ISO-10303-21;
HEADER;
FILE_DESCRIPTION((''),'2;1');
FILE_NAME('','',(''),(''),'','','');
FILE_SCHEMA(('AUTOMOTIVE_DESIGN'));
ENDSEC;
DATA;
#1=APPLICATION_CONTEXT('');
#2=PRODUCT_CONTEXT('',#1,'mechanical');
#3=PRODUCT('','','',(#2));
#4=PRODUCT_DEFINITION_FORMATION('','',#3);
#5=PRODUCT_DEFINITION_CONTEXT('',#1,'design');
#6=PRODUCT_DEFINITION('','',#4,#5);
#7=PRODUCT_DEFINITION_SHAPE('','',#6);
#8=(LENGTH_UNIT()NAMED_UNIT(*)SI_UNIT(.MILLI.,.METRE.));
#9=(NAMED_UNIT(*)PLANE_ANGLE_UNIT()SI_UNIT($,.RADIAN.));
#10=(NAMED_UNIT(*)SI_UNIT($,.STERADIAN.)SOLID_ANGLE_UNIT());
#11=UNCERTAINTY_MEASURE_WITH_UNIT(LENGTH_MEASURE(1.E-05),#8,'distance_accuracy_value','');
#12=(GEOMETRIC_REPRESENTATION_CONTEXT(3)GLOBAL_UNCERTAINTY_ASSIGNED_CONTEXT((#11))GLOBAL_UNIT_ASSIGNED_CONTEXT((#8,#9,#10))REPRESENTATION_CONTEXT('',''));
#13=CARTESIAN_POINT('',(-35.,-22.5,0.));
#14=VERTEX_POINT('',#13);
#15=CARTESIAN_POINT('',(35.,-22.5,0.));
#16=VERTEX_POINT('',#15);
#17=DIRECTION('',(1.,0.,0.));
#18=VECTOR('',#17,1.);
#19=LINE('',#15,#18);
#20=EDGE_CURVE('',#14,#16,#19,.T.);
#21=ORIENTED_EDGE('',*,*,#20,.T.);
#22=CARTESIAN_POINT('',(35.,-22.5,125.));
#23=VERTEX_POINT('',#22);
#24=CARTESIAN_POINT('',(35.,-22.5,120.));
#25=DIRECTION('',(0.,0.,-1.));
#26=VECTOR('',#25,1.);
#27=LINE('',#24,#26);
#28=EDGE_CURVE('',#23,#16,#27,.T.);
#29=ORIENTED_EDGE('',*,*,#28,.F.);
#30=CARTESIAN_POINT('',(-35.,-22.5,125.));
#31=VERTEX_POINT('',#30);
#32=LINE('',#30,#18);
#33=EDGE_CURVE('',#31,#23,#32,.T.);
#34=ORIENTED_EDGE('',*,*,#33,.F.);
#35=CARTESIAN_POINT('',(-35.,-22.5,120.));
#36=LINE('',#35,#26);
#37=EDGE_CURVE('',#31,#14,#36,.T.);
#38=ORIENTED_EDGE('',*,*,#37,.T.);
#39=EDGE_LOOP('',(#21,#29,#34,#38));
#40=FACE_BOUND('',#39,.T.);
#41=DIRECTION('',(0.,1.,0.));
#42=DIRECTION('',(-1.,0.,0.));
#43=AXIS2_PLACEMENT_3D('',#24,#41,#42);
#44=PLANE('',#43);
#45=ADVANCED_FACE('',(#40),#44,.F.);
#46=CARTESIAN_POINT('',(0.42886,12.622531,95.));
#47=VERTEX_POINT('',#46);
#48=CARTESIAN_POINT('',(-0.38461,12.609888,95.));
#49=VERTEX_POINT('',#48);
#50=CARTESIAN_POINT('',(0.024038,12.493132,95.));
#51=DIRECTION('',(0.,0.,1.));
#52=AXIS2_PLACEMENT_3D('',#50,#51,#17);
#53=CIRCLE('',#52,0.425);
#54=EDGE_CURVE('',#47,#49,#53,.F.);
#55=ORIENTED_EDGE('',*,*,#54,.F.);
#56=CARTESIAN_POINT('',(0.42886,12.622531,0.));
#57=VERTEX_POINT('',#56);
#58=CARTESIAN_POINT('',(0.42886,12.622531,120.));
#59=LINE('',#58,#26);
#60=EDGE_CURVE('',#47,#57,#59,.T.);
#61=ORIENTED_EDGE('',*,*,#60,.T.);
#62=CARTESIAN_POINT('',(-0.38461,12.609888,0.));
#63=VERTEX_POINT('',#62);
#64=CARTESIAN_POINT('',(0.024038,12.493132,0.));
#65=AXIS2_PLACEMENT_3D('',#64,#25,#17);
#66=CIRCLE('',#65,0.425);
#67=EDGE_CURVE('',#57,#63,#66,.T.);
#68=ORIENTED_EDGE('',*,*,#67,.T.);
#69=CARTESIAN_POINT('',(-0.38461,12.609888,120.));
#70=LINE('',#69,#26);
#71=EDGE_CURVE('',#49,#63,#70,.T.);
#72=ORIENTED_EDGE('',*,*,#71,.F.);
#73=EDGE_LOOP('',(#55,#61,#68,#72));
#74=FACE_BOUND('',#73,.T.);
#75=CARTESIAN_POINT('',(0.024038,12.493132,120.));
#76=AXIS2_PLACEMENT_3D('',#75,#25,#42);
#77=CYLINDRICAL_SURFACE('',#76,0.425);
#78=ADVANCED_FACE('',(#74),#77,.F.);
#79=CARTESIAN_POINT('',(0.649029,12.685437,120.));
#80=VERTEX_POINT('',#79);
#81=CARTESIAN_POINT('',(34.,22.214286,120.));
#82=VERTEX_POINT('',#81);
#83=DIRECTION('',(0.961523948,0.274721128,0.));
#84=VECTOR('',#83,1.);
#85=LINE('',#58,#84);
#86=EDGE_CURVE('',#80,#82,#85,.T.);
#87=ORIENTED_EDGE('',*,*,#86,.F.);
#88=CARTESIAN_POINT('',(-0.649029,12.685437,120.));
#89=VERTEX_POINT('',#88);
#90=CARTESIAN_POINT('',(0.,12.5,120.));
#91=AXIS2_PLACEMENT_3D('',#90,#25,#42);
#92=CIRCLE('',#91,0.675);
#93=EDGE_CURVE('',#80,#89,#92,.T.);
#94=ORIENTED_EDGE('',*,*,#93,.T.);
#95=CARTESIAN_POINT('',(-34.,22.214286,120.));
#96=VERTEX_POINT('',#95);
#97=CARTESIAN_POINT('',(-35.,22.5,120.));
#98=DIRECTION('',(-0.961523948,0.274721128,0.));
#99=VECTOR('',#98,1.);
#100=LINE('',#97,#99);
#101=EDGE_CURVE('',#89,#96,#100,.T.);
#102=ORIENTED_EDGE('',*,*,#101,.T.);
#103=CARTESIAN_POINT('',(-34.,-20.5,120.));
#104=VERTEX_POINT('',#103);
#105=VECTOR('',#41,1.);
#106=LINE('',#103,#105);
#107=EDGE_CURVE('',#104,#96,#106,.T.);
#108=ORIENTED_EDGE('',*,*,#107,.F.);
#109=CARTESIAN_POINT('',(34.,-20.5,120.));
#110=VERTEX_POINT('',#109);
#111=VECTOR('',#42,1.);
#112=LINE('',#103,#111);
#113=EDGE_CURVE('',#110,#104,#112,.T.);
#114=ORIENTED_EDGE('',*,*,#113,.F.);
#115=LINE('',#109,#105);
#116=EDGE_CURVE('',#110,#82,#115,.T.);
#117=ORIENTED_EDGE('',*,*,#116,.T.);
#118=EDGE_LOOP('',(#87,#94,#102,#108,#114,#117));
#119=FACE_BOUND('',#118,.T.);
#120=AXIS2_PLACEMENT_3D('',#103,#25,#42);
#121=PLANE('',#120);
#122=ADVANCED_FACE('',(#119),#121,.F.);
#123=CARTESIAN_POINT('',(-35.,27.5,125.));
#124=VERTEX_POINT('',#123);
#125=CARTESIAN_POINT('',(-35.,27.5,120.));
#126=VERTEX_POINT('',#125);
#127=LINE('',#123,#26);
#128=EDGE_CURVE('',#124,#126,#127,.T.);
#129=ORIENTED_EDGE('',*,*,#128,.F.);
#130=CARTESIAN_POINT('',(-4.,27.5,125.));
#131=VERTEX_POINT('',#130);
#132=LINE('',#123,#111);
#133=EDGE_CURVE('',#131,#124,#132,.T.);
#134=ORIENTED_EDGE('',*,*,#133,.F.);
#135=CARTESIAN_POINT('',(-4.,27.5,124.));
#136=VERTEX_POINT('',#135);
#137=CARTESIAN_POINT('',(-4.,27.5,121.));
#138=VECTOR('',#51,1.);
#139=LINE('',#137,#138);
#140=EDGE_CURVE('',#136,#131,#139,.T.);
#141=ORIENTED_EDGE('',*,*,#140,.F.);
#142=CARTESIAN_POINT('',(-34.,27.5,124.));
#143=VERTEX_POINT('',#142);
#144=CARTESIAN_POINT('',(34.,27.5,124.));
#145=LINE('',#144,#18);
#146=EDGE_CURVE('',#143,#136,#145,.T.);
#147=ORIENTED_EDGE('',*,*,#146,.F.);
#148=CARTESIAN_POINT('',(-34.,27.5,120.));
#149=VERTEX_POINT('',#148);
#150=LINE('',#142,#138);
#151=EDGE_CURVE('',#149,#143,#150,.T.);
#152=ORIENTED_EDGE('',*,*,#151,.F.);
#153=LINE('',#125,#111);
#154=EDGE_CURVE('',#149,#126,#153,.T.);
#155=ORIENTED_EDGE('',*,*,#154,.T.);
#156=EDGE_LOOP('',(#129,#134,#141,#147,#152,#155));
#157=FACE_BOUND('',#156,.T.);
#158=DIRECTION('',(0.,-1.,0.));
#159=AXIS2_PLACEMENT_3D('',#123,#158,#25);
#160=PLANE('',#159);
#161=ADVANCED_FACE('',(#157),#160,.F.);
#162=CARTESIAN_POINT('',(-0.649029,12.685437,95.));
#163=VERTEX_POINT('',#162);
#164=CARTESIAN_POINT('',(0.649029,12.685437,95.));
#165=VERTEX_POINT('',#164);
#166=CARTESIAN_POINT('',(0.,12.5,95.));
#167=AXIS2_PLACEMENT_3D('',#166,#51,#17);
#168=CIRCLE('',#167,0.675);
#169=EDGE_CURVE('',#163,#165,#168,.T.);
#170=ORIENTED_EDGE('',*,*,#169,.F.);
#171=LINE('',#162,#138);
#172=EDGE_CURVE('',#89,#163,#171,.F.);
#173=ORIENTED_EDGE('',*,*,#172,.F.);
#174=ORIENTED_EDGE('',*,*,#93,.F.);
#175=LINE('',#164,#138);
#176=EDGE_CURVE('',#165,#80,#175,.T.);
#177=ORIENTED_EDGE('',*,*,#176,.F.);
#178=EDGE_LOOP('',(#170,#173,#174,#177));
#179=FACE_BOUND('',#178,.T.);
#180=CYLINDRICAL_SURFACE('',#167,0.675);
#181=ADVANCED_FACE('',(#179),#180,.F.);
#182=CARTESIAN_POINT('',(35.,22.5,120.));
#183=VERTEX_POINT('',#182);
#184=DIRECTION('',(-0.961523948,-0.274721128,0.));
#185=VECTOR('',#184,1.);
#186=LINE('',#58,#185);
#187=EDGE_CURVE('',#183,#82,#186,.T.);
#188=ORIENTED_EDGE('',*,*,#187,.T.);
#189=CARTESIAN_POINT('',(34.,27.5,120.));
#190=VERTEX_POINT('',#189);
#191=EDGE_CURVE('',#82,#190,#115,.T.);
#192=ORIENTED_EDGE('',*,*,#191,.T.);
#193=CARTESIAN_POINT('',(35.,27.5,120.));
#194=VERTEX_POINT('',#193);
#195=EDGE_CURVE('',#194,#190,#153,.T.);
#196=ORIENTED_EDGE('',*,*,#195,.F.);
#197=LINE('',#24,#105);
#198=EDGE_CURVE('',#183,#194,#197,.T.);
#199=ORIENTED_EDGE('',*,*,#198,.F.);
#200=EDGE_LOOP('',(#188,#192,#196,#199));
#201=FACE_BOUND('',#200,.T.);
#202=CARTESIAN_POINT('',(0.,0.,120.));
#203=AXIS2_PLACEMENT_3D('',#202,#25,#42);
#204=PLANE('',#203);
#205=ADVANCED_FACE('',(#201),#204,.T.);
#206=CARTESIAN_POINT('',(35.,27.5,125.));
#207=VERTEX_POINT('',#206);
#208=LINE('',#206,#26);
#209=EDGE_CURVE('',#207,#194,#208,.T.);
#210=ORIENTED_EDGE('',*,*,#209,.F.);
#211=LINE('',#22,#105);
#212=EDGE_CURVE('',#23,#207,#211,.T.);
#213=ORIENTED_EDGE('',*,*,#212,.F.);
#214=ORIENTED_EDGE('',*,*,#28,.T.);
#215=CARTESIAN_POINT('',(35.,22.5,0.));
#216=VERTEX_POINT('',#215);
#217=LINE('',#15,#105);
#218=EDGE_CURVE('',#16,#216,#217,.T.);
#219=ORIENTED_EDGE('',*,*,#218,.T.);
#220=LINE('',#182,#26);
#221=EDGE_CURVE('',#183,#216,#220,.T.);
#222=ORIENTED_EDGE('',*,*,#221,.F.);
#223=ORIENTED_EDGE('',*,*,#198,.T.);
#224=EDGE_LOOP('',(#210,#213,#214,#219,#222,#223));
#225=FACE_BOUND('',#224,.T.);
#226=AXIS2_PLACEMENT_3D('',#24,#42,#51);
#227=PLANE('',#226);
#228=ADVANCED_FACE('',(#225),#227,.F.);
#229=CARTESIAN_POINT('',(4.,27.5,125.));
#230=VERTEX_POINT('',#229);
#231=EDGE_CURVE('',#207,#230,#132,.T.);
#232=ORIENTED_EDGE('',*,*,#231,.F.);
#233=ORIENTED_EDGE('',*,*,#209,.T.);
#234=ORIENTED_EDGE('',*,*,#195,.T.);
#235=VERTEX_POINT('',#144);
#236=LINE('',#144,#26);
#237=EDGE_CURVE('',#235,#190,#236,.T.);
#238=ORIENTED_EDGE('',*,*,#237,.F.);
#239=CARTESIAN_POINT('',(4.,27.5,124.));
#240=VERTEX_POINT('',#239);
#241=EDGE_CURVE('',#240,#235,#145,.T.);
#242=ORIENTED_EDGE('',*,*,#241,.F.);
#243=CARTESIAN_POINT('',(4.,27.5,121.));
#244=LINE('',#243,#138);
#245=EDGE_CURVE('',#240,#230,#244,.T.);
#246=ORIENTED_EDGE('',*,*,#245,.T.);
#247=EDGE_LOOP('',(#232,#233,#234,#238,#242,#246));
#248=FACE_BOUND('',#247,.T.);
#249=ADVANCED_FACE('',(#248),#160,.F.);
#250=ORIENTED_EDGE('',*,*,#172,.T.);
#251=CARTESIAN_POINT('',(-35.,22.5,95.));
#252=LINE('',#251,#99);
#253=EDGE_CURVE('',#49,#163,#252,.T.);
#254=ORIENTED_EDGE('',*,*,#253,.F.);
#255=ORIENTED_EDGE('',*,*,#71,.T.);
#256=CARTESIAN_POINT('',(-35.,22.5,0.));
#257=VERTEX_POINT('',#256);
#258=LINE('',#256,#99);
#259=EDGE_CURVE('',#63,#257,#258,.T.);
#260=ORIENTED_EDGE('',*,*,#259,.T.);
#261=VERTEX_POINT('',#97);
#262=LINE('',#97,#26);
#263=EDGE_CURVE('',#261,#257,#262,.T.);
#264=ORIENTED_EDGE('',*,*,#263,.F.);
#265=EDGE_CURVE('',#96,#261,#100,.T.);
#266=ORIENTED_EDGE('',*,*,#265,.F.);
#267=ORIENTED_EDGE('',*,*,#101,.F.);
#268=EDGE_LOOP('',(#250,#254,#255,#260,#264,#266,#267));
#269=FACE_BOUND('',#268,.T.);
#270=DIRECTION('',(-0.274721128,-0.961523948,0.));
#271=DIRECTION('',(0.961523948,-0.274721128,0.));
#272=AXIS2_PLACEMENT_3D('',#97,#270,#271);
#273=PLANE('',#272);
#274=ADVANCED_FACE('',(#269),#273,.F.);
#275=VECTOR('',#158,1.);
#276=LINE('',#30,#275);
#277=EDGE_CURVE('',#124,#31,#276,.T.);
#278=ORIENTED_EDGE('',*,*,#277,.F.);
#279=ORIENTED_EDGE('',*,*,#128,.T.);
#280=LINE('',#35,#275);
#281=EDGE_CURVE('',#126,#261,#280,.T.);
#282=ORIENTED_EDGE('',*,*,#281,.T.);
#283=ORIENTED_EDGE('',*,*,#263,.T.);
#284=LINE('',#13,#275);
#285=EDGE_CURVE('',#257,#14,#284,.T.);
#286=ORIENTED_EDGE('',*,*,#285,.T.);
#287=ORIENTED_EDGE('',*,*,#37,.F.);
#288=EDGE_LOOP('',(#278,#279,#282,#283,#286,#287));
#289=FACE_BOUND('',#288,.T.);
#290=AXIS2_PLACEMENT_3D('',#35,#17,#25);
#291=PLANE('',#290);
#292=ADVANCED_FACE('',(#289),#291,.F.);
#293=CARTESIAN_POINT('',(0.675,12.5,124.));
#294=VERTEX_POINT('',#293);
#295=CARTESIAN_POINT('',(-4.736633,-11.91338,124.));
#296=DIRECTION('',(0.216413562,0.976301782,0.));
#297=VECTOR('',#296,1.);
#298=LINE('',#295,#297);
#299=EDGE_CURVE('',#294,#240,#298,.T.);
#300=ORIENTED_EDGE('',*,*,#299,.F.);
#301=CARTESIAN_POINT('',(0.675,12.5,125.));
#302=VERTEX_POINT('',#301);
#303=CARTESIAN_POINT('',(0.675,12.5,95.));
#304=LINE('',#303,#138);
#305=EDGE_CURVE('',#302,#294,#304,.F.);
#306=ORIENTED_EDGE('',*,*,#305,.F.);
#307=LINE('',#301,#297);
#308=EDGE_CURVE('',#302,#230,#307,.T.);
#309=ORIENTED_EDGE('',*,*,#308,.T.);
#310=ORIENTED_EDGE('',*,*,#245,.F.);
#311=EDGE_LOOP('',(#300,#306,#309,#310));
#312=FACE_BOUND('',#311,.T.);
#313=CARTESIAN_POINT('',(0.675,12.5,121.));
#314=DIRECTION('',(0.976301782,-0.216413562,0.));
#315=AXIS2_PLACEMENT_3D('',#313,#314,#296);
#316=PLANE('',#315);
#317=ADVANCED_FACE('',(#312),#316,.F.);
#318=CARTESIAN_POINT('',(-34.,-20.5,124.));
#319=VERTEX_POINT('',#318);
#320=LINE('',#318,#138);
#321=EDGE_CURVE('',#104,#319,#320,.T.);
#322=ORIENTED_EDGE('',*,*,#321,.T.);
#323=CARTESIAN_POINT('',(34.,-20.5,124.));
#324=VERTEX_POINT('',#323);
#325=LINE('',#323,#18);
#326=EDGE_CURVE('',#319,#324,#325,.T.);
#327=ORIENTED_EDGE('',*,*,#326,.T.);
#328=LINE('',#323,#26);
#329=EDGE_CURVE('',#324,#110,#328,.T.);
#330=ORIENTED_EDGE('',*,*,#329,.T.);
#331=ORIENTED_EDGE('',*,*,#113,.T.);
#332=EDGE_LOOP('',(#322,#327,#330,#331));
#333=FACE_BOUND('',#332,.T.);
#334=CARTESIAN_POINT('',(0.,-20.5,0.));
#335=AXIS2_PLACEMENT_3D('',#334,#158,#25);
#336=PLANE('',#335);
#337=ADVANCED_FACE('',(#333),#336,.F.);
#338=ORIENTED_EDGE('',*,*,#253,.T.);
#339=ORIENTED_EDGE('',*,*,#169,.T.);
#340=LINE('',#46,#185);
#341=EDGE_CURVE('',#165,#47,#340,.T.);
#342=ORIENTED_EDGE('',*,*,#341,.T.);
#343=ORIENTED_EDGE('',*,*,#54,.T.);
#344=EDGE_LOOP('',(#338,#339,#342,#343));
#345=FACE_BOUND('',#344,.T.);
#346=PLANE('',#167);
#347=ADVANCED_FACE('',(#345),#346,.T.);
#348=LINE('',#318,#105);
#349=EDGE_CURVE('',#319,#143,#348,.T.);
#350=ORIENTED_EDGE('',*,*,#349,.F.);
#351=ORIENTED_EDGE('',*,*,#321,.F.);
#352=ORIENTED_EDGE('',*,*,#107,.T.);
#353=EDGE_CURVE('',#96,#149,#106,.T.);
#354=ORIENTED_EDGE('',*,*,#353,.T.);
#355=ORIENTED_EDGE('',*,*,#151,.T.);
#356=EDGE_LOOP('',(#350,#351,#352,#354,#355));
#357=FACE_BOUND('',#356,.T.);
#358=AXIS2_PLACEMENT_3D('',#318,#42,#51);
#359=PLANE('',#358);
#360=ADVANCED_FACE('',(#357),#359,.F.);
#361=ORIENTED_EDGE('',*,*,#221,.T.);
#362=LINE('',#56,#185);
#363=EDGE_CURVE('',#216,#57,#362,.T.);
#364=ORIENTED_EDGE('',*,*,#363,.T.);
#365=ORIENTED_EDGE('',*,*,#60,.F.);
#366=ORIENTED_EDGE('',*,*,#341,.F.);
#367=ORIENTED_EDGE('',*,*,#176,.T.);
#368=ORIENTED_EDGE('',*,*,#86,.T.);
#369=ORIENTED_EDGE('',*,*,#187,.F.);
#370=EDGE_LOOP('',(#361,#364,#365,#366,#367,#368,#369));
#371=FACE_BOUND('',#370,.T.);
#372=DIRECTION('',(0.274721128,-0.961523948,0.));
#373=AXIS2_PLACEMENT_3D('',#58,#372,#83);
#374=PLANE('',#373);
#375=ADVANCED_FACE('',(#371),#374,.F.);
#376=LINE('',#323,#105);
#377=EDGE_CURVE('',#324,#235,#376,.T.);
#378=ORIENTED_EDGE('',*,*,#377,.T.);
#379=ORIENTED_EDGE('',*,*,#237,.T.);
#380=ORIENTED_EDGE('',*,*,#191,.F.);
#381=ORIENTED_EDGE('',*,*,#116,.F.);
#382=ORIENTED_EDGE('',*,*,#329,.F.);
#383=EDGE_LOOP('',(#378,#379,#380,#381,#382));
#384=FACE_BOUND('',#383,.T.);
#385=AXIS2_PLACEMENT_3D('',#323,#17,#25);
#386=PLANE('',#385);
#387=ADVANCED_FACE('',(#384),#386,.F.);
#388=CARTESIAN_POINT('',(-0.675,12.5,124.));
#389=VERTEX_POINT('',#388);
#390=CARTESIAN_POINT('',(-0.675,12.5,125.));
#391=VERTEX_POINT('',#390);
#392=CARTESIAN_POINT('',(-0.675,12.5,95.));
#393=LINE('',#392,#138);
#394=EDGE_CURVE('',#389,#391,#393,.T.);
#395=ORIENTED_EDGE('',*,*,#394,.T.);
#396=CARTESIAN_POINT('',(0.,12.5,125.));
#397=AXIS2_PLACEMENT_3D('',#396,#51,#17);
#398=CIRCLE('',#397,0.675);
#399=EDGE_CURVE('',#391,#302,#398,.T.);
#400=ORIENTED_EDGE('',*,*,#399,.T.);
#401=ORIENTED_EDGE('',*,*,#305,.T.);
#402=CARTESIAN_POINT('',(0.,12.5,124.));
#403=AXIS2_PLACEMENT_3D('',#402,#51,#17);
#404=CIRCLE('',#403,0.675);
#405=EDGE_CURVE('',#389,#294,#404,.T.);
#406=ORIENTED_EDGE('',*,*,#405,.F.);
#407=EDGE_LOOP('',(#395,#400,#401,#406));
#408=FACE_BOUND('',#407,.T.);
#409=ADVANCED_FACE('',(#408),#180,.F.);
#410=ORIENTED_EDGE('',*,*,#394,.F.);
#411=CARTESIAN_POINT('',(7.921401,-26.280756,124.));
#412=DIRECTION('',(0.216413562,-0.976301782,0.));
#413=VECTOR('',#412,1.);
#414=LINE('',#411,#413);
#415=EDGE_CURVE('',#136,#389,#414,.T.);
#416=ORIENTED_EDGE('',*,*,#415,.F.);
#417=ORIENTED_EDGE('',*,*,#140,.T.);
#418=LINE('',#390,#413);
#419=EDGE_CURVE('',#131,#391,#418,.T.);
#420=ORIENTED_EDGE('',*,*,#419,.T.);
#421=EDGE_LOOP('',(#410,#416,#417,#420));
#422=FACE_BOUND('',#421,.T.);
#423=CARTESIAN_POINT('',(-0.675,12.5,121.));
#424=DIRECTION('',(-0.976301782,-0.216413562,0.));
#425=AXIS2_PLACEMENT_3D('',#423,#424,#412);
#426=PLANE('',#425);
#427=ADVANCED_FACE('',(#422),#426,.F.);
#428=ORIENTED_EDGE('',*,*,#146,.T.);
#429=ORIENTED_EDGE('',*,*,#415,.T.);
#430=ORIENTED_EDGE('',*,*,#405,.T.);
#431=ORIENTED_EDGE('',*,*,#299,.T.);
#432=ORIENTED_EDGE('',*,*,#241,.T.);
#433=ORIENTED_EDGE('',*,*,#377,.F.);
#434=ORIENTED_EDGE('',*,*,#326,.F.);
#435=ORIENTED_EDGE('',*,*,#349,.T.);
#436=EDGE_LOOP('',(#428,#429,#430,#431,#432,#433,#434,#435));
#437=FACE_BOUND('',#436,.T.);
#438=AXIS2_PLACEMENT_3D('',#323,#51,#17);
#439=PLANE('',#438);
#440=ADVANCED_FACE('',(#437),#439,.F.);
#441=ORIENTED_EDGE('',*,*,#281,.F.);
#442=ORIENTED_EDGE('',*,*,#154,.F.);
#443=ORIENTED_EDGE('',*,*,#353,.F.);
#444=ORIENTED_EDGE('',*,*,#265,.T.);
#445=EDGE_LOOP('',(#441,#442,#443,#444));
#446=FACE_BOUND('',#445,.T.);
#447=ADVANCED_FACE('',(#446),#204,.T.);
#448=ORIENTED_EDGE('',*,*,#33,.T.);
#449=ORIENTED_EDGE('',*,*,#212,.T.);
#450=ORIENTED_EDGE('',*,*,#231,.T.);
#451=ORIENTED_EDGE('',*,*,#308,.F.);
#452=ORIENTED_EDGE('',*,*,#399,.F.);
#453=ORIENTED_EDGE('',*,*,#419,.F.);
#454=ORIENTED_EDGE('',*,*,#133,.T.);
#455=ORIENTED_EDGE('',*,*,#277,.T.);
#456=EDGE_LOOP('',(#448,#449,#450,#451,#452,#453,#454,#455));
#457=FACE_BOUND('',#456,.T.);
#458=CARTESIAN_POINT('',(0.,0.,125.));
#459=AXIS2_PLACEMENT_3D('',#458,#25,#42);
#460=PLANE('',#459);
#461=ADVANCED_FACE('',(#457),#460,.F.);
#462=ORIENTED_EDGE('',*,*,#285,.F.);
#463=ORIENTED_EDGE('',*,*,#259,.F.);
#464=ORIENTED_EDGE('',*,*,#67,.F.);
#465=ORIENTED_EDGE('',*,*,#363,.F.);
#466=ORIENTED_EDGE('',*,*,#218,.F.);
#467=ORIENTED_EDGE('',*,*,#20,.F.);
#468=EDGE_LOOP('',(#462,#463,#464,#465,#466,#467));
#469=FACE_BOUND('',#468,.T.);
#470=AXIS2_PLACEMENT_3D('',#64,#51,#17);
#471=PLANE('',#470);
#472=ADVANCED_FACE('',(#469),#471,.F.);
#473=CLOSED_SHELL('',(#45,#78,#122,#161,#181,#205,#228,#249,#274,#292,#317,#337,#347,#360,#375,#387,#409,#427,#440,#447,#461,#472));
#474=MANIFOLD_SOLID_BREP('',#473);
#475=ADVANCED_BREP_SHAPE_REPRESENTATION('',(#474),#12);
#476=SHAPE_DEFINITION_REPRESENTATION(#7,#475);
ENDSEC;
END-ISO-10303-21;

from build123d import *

# Parameters (mm, degrees)
RESSALTO_EXTRUS_O2_DEPTH = 120
ESBO_O2_W                = 70
ESBO_O2_H                = 50
RESSALTO_EXTRUS_O3_DEPTH = 5
ESBO_O3_W                = 68
ESBO_O3_H                = 4
CORTE_EXTRUS_O1_DEPTH    = 48
ESBO_O5_R                = 0.4
CORTE_EXTRUS_O4_DEPTH    = 127
ESBO_O6_R                = 0.675
CORTE_EXTRUS_O6_DEPTH    = 30
CORTE_EXTRUS_O7_DEPTH    = 4


with BuildPart() as part:
    # Esboço1 → Ressalto-extrusão2 (new body)
    with BuildSketch(Plane.XY):
        with BuildLine():
            Line((35, -22.5), (-35, -22.5))
            Line((-35, -22.5), (-35, 22.5))
            Line((-35, 22.5), (-0.384609579, 12.609888451))
            ThreePointArc((-0.384609579, 12.609888451), (0.03064267, 12.068183293), (0.42886001, 12.622531431))
            Line((0.42886001, 12.622531431), (35, 22.5))
            Line((35, 22.5), (35, -22.5))
        make_face()
    extrude(amount=RESSALTO_EXTRUS_O2_DEPTH)

    # Esboço2 → Ressalto-extrusão3 (add)
    with BuildSketch(Plane.XY.offset(120)):
        with Locations((0, 2.5)):
            Rectangle(ESBO_O2_W, ESBO_O2_H)
    extrude(amount=RESSALTO_EXTRUS_O3_DEPTH)

    # Esboço3 → Corte-extrusão1 (cut)
    with BuildSketch(Plane(origin=(0, 27.5, 0), x_dir=(1, 0, 0), z_dir=(0, 1, 0))):
        with Locations((0, -122)):
            Rectangle(ESBO_O3_W, ESBO_O3_H)
    extrude(amount=-CORTE_EXTRUS_O1_DEPTH, mode=Mode.SUBTRACT)

    # Esboço5 → Corte-extrusão4 (cut)
    with BuildSketch(Plane(origin=(0, 0, 0), x_dir=(-1, 0, 0), z_dir=(0, 0, -1))):
        with Locations((0, 12.5)):
            Circle(ESBO_O5_R)
    extrude(amount=-CORTE_EXTRUS_O4_DEPTH, mode=Mode.SUBTRACT)

    # Esboço6 → Corte-extrusão6 (cut)
    with BuildSketch(Plane.XY.offset(125)):
        with Locations((0, 12.5)):
            Circle(ESBO_O6_R)
    extrude(amount=-CORTE_EXTRUS_O6_DEPTH, mode=Mode.SUBTRACT)

    # Esboço7 → Corte-extrusão7 (cut)
    with BuildSketch(Plane.XY.offset(125)):
        Polygon((0.675, 12.5), (4, 27.5), (0, 27.5), (-4, 27.5), (-0.675, 12.5), align=None)
    extrude(amount=-CORTE_EXTRUS_O7_DEPTH, mode=Mode.SUBTRACT)


solid = part.part
